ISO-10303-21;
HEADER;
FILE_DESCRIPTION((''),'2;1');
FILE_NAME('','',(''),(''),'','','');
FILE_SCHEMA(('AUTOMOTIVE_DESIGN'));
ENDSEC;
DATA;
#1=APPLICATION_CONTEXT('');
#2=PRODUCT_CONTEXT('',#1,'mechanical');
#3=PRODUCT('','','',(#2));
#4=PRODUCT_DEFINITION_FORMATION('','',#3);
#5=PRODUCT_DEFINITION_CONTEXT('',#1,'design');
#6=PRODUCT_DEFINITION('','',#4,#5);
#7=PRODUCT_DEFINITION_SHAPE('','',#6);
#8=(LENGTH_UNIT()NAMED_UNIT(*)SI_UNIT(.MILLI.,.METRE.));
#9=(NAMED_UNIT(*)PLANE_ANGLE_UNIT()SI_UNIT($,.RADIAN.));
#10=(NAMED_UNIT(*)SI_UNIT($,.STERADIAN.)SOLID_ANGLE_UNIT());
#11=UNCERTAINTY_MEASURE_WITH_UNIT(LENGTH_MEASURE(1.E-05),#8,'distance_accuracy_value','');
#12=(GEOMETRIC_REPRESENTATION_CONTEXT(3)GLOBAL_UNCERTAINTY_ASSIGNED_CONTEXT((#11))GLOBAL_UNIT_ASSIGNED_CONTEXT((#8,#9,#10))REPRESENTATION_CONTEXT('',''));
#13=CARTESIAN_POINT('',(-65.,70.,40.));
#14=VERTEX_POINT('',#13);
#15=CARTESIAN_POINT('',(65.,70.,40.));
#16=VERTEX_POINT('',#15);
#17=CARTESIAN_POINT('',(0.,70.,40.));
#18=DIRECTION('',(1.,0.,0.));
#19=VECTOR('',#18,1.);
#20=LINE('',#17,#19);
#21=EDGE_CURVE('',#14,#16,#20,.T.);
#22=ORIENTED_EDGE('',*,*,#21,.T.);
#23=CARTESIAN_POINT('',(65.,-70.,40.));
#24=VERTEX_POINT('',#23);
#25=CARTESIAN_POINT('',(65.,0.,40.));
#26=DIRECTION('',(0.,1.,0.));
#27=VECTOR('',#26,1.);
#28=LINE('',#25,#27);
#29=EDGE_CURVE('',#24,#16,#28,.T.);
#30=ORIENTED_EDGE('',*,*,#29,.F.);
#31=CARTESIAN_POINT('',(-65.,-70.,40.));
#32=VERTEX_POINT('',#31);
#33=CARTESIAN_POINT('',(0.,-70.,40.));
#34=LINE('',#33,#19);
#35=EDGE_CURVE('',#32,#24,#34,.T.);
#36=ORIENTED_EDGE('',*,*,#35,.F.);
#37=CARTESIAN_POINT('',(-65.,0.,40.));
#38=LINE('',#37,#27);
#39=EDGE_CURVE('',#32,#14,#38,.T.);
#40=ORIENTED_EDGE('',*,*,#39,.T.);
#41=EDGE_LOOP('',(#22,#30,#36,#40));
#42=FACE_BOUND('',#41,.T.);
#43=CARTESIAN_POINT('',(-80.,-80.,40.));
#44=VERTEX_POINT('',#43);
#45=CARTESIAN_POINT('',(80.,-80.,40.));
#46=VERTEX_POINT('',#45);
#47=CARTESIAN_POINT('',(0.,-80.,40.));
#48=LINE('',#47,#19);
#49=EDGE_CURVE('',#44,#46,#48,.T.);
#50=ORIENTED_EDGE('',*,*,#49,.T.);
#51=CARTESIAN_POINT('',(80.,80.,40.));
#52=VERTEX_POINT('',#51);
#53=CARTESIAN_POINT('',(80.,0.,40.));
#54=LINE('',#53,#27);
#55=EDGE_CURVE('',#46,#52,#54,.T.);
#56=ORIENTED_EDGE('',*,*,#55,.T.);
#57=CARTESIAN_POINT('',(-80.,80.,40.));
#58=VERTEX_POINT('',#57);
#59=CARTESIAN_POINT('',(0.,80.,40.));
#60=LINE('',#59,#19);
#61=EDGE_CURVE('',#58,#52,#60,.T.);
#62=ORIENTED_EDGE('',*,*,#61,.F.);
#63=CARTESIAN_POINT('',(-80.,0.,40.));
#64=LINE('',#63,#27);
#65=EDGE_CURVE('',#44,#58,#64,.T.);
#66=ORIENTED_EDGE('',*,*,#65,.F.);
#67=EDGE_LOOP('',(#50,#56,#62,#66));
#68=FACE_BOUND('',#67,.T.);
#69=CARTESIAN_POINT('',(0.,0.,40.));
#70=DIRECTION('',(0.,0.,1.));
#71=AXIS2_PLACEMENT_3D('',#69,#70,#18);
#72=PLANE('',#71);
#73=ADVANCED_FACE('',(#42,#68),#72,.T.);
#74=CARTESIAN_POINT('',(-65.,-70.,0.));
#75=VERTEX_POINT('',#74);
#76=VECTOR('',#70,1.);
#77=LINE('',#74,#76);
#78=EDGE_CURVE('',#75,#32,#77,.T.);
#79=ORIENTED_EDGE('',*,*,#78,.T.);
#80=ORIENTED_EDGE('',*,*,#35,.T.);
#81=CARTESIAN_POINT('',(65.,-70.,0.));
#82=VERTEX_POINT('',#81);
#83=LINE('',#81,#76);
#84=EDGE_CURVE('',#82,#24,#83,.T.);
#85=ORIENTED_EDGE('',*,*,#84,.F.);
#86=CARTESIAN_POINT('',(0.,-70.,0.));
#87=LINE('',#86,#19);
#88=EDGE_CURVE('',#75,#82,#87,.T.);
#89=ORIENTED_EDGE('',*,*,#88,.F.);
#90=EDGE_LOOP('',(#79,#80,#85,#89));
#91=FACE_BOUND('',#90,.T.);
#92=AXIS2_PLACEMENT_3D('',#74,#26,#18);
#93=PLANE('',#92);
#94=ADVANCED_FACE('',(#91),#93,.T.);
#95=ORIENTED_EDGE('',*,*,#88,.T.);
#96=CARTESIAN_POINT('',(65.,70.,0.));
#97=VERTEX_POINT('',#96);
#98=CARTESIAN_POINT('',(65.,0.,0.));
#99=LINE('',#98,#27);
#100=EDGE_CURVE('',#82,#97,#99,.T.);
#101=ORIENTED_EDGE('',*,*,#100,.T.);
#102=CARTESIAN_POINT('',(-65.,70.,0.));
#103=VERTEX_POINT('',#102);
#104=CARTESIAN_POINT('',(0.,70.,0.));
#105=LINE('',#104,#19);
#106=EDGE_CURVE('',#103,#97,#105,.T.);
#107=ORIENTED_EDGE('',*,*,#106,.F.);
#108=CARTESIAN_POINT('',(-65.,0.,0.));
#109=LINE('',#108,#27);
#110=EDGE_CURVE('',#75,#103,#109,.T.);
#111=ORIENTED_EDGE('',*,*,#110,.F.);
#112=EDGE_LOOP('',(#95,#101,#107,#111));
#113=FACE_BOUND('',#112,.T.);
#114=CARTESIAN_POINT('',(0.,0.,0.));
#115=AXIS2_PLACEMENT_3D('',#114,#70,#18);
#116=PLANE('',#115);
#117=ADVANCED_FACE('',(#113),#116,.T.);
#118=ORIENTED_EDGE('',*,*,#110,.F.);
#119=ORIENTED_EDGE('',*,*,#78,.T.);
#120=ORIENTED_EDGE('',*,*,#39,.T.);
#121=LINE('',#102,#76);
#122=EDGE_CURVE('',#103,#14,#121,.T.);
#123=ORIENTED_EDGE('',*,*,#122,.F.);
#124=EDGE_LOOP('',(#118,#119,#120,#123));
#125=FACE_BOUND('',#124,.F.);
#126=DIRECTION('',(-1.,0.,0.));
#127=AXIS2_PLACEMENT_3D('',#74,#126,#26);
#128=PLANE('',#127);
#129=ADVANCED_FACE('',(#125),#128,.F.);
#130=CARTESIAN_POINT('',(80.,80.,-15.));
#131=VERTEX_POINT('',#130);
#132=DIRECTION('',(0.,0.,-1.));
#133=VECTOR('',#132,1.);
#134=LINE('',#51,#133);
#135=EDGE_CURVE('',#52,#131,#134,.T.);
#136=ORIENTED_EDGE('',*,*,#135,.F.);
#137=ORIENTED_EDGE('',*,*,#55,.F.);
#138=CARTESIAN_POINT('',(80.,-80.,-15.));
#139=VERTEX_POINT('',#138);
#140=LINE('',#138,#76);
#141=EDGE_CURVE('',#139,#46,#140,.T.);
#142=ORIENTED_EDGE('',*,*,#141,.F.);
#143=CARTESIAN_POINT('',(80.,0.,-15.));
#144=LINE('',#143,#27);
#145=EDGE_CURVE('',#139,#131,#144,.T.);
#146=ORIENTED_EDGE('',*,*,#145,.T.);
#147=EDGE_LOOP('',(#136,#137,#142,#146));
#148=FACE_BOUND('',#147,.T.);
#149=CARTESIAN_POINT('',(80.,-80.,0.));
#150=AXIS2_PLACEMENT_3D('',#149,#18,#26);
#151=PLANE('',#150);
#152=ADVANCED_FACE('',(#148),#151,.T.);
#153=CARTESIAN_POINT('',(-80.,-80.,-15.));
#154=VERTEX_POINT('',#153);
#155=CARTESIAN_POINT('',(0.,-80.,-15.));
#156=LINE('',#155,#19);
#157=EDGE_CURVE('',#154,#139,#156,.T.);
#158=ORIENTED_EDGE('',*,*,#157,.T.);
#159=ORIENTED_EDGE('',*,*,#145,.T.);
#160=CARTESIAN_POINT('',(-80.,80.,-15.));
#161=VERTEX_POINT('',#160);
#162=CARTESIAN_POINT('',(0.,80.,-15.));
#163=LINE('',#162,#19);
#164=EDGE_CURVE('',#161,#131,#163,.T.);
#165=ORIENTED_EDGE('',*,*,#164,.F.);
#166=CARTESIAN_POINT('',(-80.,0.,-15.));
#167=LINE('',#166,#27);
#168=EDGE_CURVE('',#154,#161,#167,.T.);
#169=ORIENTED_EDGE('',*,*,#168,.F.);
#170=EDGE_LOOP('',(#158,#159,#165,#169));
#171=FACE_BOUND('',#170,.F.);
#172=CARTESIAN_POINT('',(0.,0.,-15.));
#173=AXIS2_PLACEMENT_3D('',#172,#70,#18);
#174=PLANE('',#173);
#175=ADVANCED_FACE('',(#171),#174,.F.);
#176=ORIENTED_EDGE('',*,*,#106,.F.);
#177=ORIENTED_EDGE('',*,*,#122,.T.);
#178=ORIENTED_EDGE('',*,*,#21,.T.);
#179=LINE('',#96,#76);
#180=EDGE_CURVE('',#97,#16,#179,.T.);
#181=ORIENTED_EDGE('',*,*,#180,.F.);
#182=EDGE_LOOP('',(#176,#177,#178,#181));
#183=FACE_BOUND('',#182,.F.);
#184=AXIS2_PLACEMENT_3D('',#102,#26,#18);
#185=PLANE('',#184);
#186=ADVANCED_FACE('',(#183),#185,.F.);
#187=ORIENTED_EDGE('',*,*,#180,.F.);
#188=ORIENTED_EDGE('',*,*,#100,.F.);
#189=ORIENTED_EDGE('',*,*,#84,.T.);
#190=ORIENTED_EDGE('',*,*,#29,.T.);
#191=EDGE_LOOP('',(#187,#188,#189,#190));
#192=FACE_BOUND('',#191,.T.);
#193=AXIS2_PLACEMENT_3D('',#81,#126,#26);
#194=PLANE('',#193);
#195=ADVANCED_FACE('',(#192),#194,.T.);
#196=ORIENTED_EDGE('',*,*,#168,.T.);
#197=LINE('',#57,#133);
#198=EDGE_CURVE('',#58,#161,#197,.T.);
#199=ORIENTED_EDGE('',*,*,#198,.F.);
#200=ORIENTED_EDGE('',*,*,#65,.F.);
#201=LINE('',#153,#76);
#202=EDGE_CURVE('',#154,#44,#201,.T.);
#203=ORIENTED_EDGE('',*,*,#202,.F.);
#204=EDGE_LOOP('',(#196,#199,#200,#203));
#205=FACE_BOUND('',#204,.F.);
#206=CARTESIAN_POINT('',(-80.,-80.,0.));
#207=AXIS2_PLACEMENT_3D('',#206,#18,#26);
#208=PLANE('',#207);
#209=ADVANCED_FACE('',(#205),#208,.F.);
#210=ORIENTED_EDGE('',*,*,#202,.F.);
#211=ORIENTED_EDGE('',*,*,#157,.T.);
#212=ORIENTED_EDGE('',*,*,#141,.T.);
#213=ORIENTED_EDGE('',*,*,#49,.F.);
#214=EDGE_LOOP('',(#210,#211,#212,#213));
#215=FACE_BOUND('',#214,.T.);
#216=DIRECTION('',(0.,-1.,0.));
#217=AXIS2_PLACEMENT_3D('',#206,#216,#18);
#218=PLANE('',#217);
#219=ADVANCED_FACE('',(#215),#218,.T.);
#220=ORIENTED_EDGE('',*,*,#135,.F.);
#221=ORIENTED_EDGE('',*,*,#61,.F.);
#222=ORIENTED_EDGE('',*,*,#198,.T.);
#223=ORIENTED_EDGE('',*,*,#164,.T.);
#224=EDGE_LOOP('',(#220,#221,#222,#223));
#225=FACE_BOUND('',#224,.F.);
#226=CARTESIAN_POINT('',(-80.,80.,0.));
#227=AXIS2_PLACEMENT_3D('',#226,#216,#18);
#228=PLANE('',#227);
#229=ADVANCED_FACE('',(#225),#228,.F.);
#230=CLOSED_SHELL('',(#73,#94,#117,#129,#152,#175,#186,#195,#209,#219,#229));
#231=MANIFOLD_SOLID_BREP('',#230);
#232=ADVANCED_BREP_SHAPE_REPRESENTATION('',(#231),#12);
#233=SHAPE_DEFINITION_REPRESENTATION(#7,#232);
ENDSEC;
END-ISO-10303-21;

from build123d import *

# Parameters (mm, degrees)
F0_W     = 160
F0_H     = 160
F0_W_2   = 130
F0_H_2   = 140
F1_DEPTH = 40
F2_W     = 160
F2_H     = 160
F3_DEPTH = 15


with BuildPart() as f1:
    # F0 (on Top) → F1 (new body)
    with BuildSketch(Plane.XY):
        Rectangle(F0_W, F0_H)
        Rectangle(F0_W_2, F0_H_2, mode=Mode.SUBTRACT)
    extrude(amount=F1_DEPTH)

    # F2 (on Top) → F3 (join)
    with BuildSketch(Plane.XY):
        Rectangle(F2_W, F2_H)
    extrude(amount=-F3_DEPTH)


solid = f1.part
